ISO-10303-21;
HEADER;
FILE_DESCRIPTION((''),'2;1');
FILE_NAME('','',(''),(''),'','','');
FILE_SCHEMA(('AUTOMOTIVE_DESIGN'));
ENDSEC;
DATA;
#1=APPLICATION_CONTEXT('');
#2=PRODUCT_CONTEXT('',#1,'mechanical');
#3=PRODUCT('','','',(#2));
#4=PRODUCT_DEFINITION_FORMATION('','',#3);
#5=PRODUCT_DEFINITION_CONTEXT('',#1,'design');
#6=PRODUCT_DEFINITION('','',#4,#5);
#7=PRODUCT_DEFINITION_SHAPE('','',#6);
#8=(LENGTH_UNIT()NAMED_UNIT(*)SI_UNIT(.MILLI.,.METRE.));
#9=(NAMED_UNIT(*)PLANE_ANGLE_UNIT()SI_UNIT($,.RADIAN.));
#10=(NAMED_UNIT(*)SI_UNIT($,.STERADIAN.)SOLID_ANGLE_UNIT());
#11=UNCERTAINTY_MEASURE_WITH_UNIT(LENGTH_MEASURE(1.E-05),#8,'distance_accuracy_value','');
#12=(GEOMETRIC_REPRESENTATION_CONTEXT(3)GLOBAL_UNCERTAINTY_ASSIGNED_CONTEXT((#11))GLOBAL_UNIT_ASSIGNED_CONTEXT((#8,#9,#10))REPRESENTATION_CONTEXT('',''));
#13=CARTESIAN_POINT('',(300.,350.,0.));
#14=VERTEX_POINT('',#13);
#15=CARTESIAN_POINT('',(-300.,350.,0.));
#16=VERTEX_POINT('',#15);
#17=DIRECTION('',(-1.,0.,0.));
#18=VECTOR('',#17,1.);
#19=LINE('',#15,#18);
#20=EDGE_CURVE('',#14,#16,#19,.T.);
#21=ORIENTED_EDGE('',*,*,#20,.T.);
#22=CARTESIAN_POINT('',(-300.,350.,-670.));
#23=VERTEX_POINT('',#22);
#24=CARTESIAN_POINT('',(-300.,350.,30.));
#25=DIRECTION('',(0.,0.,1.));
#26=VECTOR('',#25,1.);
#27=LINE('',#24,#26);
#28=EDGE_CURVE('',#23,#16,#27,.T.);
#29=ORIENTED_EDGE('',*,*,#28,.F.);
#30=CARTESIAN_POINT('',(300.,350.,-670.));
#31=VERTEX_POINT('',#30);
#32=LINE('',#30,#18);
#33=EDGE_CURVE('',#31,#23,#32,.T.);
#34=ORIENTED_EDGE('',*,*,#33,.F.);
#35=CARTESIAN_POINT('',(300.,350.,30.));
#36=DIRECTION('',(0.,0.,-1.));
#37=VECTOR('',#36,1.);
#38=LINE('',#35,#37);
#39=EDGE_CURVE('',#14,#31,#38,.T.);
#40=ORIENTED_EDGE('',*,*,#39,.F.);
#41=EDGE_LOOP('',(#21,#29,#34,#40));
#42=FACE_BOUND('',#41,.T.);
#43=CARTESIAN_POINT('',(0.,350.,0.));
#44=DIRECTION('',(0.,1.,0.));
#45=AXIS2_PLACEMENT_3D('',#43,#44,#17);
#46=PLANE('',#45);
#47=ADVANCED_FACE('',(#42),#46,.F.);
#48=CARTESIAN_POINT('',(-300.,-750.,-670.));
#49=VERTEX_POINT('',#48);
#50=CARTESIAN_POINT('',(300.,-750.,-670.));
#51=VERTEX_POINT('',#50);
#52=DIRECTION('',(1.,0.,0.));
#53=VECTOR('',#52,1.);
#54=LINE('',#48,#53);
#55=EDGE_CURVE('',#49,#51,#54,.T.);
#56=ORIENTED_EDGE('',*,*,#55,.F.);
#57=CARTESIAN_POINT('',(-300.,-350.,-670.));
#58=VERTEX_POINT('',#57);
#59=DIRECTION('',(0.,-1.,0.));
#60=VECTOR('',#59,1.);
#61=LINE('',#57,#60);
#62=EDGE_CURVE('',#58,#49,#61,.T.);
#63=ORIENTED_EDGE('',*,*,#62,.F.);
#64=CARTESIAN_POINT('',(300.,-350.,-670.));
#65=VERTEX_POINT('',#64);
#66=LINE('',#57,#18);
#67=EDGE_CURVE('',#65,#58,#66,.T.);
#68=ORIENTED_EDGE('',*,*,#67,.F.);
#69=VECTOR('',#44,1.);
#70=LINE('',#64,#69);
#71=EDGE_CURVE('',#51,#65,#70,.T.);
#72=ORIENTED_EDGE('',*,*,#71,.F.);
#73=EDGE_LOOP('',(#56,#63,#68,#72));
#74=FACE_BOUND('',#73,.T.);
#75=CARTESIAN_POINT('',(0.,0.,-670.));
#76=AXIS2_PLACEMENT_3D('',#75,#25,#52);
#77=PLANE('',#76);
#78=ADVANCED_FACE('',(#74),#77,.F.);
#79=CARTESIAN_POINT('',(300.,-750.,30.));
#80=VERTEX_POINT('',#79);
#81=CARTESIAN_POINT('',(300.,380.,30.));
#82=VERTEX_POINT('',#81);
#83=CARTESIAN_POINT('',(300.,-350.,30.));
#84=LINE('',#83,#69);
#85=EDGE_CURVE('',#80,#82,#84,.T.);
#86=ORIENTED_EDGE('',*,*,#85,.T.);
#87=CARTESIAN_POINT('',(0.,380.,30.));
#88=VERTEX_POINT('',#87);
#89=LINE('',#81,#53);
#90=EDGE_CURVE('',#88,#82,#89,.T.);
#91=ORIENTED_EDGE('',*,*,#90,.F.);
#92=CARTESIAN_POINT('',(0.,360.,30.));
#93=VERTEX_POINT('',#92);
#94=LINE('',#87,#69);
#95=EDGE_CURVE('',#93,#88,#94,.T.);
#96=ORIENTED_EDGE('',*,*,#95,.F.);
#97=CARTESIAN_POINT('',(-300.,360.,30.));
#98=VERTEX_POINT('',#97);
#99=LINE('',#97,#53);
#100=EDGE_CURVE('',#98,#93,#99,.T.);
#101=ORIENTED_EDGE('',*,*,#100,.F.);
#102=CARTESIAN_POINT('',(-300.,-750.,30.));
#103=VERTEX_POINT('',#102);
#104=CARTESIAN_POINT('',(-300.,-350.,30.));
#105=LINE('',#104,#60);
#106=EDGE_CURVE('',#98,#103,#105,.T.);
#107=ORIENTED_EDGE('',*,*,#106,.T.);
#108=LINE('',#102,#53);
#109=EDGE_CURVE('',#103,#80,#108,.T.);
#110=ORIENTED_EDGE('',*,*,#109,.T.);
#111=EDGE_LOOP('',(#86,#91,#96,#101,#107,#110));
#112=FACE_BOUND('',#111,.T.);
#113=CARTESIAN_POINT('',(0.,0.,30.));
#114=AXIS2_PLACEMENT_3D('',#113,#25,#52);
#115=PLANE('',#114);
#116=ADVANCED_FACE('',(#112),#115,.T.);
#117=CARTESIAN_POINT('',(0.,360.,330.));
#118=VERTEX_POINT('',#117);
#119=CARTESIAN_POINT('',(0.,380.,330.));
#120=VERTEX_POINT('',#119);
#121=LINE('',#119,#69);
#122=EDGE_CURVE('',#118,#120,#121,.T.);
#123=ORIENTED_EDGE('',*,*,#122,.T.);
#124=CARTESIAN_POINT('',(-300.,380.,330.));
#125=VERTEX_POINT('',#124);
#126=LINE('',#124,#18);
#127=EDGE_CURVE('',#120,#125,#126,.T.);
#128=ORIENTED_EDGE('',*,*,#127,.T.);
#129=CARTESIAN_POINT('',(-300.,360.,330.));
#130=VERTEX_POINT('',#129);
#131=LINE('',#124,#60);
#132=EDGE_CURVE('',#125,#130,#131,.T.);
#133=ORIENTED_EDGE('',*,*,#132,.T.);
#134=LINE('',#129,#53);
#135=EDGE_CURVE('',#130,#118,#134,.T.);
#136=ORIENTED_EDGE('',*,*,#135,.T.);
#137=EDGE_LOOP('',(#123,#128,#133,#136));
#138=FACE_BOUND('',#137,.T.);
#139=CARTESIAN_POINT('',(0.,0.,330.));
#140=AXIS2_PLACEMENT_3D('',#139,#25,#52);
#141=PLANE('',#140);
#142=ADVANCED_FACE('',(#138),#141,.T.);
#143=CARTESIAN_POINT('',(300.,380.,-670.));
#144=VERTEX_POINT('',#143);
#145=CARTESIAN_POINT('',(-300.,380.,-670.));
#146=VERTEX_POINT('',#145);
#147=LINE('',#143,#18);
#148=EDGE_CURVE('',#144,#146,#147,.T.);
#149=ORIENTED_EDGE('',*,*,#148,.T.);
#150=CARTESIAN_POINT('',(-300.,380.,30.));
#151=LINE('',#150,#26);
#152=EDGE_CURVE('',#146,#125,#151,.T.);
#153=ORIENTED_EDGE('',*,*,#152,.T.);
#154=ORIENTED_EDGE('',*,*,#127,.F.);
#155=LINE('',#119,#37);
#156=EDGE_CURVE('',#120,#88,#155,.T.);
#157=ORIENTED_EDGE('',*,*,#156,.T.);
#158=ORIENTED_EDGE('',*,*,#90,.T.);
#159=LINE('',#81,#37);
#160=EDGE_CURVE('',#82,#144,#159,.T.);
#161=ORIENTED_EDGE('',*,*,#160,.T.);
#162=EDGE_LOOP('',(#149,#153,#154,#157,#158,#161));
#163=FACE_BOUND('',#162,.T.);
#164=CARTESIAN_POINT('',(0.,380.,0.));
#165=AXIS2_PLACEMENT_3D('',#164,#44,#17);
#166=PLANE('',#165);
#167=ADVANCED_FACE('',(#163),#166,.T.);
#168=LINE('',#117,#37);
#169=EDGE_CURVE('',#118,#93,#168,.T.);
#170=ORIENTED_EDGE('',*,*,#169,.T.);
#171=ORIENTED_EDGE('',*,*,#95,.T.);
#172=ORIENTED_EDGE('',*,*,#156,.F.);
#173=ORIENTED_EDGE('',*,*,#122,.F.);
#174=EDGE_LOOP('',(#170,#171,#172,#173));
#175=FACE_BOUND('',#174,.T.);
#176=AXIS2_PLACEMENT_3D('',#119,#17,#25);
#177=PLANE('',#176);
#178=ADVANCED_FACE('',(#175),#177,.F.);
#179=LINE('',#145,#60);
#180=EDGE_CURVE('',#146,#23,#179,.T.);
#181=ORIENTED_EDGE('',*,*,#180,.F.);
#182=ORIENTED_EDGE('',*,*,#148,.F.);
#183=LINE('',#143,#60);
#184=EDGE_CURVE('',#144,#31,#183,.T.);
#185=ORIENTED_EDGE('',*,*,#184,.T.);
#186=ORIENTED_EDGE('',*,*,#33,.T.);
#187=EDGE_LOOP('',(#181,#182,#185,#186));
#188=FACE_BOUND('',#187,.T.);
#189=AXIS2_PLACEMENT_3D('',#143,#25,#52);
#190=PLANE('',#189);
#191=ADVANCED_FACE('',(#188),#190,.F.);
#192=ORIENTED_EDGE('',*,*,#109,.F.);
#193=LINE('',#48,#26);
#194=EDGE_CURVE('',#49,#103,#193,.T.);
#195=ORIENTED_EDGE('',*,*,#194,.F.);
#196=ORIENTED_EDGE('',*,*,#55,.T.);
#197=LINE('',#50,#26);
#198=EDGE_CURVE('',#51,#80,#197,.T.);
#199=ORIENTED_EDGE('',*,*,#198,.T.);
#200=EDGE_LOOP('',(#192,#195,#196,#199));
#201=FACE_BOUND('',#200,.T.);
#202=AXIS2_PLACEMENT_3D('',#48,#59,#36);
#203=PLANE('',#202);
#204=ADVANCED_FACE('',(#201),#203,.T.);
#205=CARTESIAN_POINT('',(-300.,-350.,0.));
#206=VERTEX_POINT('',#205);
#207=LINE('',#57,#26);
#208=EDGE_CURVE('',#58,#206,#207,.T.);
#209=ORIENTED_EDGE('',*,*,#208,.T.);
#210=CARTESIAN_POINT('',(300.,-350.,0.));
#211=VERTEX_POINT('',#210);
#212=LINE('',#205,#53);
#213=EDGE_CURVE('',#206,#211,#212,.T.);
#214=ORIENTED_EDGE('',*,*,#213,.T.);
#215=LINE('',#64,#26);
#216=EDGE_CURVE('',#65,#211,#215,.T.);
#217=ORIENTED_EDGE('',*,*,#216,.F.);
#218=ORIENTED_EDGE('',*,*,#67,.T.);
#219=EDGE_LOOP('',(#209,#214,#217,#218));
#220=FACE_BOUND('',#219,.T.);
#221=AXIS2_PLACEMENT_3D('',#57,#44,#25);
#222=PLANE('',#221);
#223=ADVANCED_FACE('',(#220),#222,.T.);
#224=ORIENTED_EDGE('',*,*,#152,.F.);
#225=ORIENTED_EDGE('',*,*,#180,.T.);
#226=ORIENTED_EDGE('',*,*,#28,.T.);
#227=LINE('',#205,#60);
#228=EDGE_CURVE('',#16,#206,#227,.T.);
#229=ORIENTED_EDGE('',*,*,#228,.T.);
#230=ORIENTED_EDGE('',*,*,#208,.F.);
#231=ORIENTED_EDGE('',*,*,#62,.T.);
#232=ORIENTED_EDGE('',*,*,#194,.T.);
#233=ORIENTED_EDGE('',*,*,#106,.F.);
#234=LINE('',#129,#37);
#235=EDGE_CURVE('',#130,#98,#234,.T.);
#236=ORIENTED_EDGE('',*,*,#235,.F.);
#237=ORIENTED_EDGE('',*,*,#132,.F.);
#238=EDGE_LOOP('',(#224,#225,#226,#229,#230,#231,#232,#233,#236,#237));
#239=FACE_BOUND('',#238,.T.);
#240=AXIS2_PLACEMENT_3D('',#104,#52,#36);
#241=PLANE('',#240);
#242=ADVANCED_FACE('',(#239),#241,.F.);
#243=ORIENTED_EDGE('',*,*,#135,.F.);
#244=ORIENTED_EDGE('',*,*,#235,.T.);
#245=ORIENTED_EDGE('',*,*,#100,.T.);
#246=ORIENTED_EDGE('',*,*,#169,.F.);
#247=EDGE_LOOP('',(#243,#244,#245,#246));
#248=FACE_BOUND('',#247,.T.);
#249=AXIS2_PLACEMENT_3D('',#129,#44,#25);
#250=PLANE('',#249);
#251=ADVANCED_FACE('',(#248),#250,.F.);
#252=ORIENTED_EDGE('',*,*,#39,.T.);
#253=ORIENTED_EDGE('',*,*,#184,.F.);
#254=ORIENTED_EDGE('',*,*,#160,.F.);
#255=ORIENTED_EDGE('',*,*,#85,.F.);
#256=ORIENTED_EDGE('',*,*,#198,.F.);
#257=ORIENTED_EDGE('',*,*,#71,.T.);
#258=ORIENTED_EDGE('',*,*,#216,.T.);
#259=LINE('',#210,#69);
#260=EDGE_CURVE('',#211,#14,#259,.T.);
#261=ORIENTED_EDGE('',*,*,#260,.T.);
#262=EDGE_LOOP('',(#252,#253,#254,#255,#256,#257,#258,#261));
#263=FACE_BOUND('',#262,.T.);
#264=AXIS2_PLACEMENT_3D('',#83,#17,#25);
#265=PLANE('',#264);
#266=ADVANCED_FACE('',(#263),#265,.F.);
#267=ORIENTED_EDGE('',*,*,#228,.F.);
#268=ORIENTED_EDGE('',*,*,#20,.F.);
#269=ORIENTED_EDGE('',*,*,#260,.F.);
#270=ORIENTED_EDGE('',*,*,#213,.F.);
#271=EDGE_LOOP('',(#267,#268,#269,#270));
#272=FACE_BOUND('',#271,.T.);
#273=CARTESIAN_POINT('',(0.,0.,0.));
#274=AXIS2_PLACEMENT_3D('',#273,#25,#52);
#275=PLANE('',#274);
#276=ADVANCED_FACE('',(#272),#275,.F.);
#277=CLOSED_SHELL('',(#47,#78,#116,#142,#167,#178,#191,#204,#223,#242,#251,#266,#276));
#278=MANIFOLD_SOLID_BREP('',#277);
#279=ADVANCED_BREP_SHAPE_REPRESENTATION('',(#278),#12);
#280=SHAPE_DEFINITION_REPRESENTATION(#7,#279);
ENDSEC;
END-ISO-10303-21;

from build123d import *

# Parameters (mm, degrees)
SKETCH1_W           = 700
SKETCH1_H           = 600
BOSS_EXTRUDE1_DEPTH = 30
SKETCH2_W           = 600
SKETCH2_H           = 700
BOSS_EXTRUDE2_DEPTH = 30
SKETCH3_W           = 600
SKETCH3_H           = 400
BOSS_EXTRUDE3_DEPTH = 700
SKETCH4_W           = 300
SKETCH4_H           = 20
BOSS_EXTRUDE4_DEPTH = 300


with BuildPart() as part:
    # Sketch1 → Boss-Extrude1 (new body)
    with BuildSketch(Plane(origin=(0, 0, 0), x_dir=(0, 1, 0), z_dir=(0, 0, 1))):
        Rectangle(SKETCH1_W, SKETCH1_H)
    extrude(amount=BOSS_EXTRUDE1_DEPTH)

    # Sketch2 → Boss-Extrude2 (add)
    with BuildSketch(Plane(origin=(0, 350, 0), x_dir=(-1, 0, 0), z_dir=(0, 1, 0))):
        with Locations((0, -320)):
            Rectangle(SKETCH2_W, SKETCH2_H)
    extrude(amount=BOSS_EXTRUDE2_DEPTH)

    # Sketch3 → Boss-Extrude3 (add)
    with BuildSketch(Plane.XY.offset(30)):
        with Locations((0, -550)):
            Rectangle(SKETCH3_W, SKETCH3_H)
    extrude(amount=-BOSS_EXTRUDE3_DEPTH)

    # Sketch4 → Boss-Extrude4 (add)
    with BuildSketch(Plane.XY.offset(30)):
        with Locations((-150, 370)):
            Rectangle(SKETCH4_W, SKETCH4_H)
    extrude(amount=BOSS_EXTRUDE4_DEPTH)


solid = part.part
